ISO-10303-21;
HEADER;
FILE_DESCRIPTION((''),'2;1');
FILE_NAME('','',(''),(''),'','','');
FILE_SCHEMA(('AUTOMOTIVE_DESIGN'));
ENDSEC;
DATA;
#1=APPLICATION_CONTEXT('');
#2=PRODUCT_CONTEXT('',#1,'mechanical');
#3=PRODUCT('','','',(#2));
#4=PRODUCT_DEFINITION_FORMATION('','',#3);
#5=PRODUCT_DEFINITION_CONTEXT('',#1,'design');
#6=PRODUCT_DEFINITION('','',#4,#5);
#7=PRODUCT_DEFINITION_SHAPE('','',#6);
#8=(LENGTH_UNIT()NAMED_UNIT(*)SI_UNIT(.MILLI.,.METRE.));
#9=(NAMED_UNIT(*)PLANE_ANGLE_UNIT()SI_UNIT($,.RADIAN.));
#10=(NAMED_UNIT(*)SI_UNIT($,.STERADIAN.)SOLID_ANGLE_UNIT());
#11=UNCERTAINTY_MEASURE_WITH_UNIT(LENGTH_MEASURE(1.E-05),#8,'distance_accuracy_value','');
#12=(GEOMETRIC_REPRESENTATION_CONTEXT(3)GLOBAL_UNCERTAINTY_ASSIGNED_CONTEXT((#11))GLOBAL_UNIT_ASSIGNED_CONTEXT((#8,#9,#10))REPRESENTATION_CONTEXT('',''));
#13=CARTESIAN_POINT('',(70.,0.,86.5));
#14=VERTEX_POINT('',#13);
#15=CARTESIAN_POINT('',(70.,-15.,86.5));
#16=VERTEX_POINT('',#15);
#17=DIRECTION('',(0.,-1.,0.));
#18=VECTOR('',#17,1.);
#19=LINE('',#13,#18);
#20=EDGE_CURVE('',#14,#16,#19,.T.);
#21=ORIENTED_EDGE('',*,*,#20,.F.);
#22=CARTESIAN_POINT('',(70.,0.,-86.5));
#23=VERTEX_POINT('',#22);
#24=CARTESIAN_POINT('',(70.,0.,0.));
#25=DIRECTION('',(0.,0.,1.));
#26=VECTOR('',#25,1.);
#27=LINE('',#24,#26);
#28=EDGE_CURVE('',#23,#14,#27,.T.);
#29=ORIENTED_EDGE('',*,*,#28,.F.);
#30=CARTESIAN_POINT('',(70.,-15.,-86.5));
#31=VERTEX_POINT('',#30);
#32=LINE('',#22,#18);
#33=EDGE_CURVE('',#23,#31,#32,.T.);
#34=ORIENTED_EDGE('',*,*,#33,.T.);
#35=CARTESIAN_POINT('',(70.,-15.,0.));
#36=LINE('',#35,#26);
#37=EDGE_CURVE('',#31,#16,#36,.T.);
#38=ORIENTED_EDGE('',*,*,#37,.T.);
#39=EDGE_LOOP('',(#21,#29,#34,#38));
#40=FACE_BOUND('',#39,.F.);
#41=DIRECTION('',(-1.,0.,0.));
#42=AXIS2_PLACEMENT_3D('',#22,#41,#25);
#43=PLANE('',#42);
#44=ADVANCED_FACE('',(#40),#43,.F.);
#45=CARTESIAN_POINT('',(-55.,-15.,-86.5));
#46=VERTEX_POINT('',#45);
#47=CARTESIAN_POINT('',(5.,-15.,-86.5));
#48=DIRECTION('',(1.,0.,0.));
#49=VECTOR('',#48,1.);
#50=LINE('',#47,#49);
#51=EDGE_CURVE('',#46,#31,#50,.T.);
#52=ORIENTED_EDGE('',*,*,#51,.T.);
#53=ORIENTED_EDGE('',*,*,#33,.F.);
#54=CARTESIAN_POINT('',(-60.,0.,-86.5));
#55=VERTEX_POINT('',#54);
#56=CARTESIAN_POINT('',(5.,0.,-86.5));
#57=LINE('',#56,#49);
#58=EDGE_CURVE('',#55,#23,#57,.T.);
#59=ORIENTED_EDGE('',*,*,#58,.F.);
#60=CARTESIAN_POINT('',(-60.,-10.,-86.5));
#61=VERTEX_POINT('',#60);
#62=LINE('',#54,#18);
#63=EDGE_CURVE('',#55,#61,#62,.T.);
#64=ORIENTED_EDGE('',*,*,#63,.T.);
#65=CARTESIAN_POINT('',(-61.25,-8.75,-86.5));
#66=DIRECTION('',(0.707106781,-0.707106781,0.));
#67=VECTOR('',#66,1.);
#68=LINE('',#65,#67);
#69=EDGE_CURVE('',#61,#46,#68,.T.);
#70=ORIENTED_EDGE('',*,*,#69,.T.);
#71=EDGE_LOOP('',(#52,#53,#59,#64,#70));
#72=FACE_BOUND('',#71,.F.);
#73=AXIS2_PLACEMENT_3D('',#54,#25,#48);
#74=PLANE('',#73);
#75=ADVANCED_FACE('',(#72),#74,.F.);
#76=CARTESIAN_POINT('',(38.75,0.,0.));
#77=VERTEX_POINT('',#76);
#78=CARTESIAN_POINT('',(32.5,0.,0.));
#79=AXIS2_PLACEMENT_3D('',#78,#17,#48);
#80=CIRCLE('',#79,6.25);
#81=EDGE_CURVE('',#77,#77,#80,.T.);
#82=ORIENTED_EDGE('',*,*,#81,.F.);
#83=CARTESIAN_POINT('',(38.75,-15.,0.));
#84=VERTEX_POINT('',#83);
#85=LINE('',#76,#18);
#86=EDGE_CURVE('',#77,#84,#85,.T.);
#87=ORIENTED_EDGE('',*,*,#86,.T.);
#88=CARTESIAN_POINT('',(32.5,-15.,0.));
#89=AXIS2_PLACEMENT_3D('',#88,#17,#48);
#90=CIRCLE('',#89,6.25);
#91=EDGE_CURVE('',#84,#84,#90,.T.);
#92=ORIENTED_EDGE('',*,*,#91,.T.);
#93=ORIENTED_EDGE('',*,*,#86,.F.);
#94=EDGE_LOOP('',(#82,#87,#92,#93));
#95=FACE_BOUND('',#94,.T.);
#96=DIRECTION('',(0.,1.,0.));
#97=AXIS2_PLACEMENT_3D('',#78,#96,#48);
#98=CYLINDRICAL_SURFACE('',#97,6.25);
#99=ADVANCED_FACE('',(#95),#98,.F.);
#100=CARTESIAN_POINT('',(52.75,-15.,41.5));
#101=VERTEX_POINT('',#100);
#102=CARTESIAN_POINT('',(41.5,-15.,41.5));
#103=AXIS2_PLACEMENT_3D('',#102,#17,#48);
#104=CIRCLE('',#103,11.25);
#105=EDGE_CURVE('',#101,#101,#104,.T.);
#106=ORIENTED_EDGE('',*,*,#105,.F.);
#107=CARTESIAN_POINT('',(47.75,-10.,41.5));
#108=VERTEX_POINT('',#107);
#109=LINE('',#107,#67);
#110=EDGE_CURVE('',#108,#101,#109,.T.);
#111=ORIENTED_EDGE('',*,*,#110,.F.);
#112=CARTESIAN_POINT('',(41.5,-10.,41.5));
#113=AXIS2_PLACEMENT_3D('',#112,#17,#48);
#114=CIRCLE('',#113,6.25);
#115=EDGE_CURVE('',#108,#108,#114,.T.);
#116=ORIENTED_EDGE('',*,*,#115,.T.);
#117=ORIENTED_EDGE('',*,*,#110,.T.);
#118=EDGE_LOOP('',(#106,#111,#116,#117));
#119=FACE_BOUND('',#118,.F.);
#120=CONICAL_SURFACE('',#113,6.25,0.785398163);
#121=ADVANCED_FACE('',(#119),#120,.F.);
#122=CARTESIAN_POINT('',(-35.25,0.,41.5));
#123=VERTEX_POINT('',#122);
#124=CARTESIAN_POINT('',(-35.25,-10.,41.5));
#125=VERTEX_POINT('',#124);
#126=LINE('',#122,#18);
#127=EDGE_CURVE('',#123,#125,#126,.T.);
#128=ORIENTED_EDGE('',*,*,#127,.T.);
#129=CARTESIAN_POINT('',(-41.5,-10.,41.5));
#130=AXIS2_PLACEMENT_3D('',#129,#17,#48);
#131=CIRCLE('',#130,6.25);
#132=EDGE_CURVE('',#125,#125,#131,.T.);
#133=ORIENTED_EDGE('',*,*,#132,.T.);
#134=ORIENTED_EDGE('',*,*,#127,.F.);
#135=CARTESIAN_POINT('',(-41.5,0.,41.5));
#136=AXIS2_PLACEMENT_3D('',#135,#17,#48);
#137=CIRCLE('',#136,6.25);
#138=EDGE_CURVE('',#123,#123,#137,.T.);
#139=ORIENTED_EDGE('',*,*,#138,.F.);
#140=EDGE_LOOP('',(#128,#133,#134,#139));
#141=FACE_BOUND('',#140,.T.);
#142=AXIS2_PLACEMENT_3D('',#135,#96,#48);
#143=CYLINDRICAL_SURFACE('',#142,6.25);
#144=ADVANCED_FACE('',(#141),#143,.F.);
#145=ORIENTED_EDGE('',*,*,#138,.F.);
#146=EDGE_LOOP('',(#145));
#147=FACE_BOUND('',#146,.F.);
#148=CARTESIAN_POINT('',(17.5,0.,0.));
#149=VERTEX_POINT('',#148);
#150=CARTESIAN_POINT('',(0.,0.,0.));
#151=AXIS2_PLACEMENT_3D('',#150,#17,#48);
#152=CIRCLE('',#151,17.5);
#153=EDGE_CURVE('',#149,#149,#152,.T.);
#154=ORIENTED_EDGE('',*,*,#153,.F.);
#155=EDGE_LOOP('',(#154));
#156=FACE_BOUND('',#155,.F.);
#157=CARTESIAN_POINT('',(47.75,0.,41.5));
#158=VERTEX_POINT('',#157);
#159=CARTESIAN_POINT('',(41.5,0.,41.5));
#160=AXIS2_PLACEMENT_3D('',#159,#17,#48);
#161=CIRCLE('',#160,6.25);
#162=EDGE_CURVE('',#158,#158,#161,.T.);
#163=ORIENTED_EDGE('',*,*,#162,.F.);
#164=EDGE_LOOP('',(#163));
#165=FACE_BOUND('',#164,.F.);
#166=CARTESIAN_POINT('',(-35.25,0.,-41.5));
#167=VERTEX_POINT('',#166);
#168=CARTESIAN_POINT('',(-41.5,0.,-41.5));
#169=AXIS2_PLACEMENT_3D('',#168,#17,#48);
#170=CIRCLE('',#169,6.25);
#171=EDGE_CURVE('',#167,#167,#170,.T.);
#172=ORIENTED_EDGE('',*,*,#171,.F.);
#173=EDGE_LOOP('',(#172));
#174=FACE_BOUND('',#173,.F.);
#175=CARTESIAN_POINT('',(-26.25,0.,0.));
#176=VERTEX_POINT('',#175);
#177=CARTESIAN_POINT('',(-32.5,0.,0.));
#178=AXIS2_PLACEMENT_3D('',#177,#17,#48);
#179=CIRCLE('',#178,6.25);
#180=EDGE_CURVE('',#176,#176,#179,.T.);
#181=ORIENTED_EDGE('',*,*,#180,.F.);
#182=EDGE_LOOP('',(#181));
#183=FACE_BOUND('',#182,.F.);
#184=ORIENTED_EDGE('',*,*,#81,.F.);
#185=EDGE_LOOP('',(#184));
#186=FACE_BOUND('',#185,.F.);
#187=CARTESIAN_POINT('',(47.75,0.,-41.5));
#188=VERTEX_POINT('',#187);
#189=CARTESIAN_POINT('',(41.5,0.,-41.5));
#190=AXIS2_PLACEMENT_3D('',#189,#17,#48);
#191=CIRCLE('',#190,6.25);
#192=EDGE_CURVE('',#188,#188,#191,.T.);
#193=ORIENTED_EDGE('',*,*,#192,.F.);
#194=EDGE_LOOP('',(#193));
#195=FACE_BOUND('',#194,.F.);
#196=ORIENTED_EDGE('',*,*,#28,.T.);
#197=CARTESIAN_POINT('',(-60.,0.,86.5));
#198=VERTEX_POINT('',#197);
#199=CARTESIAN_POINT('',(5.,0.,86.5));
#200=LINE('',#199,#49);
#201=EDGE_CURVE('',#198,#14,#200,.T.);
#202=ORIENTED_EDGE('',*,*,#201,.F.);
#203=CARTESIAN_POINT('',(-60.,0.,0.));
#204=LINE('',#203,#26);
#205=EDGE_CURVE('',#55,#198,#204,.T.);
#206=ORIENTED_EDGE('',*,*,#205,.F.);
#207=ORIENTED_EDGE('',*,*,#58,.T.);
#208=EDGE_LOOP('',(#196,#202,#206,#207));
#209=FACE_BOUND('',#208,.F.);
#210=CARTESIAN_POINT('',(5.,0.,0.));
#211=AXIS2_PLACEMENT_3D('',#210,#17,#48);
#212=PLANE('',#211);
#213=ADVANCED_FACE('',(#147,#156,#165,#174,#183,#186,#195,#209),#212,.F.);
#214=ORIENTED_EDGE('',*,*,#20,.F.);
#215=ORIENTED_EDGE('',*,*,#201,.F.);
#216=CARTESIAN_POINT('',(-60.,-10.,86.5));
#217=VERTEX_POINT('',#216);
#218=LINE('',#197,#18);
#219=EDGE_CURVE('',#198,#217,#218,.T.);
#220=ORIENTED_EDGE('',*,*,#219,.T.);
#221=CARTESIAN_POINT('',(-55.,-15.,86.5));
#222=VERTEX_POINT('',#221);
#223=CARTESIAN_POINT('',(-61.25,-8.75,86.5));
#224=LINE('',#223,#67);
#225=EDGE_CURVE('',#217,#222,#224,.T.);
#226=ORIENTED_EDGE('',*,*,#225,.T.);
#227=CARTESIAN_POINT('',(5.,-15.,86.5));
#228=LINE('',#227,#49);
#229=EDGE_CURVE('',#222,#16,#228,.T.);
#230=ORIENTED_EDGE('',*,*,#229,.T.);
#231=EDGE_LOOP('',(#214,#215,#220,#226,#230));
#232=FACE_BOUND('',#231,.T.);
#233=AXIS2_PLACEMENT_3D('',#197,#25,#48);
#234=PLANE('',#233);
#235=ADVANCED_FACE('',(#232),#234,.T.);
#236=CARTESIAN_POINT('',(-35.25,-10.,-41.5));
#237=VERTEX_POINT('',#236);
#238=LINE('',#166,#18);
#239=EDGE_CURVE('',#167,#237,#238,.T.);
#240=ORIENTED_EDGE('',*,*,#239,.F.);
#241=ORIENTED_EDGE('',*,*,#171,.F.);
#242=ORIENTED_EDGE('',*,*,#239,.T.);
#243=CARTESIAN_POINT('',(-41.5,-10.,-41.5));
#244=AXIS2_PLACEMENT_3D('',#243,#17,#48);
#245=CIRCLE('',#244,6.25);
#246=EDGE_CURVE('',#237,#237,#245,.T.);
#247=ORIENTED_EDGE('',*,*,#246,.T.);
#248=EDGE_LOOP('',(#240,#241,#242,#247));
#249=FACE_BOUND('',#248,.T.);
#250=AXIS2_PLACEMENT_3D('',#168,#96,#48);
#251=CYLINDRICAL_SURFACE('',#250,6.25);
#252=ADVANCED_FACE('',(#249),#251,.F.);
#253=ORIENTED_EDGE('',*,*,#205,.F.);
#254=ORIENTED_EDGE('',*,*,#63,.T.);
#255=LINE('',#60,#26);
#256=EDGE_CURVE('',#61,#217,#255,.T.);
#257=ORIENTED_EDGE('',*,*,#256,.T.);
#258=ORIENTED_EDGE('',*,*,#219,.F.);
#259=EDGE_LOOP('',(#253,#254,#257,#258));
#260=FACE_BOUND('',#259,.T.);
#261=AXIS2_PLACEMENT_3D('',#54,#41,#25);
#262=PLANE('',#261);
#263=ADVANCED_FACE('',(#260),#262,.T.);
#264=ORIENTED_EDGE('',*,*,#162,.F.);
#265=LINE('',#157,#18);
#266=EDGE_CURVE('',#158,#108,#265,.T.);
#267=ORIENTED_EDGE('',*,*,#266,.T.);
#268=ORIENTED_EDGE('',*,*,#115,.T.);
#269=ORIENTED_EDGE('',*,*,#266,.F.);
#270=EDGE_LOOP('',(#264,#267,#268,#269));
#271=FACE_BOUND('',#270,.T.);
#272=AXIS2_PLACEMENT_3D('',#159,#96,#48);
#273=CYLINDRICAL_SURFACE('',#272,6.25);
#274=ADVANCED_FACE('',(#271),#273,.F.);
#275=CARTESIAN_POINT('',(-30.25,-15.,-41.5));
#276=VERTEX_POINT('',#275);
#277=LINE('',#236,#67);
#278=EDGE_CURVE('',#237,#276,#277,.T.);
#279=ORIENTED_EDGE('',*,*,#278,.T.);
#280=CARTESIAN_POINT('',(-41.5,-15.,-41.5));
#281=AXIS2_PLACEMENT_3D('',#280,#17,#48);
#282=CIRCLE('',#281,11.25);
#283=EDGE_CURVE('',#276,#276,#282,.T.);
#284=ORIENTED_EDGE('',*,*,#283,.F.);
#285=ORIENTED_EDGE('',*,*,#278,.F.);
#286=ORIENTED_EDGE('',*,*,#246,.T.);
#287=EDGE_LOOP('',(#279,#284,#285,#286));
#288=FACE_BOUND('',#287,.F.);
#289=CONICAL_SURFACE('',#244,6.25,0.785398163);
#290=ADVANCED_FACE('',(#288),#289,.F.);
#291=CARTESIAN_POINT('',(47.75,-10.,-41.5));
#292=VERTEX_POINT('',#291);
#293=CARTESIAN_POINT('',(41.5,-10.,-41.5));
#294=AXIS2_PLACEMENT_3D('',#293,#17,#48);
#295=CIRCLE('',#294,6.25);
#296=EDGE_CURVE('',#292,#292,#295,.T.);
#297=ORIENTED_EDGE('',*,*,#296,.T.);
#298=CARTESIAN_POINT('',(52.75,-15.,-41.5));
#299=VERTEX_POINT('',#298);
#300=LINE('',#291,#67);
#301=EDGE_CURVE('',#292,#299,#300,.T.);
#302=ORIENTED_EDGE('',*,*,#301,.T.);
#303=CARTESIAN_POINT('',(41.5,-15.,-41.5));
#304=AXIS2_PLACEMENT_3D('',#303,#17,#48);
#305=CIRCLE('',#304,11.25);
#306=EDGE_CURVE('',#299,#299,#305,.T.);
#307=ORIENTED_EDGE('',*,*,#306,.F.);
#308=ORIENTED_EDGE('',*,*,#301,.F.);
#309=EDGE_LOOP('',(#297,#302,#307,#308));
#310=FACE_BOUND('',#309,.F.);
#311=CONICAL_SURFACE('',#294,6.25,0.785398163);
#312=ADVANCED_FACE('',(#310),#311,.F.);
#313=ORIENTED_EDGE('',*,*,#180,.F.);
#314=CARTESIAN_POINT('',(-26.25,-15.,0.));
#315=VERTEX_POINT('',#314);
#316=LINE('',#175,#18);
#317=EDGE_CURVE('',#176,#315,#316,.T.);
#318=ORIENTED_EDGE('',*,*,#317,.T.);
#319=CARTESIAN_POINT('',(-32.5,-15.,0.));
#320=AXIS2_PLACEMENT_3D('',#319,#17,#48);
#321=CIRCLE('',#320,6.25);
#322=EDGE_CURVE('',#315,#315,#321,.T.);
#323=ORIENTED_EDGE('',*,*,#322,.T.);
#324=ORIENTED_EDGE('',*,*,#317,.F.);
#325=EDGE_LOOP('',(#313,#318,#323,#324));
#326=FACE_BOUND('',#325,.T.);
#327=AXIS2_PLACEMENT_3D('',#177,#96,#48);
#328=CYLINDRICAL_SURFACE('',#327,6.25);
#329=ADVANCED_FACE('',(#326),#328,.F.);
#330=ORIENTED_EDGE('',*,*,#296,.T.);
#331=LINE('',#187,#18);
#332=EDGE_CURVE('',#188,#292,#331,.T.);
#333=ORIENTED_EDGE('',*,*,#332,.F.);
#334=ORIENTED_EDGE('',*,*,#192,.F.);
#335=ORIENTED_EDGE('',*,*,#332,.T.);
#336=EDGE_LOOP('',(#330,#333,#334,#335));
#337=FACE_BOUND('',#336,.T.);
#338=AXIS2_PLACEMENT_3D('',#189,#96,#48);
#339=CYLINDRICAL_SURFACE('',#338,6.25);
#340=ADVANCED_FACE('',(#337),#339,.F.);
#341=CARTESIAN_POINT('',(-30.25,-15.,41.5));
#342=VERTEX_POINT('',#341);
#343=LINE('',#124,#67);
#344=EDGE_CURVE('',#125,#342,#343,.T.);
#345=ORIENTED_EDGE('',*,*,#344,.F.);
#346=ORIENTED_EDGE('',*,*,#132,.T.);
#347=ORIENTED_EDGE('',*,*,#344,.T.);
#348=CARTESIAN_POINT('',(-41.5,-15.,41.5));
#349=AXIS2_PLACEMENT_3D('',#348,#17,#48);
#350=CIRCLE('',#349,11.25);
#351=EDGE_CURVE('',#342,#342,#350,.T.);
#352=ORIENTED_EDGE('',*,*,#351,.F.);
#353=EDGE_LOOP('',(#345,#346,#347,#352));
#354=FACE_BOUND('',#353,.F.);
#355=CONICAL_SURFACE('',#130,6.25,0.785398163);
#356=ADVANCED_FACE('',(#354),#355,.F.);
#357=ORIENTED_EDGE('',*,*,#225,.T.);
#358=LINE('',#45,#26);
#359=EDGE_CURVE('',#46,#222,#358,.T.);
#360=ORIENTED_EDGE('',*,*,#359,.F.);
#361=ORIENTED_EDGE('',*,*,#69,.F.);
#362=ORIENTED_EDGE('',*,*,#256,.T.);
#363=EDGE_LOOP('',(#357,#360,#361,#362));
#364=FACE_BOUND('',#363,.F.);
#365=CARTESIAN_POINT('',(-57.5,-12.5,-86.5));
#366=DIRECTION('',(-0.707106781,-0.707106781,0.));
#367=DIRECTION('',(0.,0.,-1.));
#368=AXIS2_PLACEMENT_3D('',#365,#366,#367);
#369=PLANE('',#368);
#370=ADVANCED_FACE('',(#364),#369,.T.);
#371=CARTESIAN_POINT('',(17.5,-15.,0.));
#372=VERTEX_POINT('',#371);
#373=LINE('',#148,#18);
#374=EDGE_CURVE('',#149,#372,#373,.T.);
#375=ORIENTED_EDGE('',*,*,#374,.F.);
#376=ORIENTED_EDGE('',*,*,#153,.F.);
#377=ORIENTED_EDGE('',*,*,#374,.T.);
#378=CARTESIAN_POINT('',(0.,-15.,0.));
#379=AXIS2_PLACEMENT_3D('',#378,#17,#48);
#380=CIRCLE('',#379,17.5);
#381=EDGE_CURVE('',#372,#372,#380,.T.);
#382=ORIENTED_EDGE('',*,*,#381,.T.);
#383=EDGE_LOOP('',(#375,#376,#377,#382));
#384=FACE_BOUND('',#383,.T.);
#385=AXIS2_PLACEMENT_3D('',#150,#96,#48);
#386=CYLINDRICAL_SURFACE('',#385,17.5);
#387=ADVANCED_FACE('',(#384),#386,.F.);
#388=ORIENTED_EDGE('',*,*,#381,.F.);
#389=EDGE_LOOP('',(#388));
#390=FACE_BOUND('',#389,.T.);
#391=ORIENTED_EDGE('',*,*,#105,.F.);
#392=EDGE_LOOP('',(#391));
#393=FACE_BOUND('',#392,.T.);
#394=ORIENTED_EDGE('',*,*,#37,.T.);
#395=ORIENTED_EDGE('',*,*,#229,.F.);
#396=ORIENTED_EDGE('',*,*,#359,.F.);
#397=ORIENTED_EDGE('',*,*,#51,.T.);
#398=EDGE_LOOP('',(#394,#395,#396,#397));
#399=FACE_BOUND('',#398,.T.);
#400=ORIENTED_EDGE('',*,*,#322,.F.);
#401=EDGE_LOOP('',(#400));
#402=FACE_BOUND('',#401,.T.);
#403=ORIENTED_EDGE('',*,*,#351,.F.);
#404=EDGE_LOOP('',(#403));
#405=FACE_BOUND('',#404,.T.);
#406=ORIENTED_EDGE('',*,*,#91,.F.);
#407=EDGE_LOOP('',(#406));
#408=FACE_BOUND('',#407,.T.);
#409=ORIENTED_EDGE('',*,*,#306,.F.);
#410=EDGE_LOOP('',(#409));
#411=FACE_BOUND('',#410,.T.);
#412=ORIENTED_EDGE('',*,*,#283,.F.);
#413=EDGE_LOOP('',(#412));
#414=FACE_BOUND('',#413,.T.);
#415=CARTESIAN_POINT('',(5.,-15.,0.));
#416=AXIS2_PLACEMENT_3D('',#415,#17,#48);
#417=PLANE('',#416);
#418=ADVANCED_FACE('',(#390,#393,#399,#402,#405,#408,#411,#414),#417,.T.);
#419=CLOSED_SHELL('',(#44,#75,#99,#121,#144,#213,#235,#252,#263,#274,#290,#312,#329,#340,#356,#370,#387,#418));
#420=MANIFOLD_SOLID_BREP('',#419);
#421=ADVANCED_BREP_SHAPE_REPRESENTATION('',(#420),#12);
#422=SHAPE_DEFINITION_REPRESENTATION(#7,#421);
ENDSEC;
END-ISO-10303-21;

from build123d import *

# Parameters (mm, degrees)
F0_W     = 130
F0_H     = 173
F0_R     = 6.25
F0_R_2   = 17.5
F1_DEPTH = 15
F2_SIZE2 = 5
F2_SIZE  = 5


with BuildPart() as f1:
    # F0 (on Front) → F1 (new body)
    with BuildSketch(Plane.XZ):
        with Locations((5, 0)):
            Rectangle(F0_W, F0_H)
        with Locations((-41.5, -41.5)):
            Circle(F0_R, mode=Mode.SUBTRACT)
        with Locations((41.5, -41.5)):
            Circle(F0_R, mode=Mode.SUBTRACT)
        with Locations((-32.5, 0)):
            Circle(F0_R, mode=Mode.SUBTRACT)
        with Locations((-41.5, 41.5)):
            Circle(F0_R, mode=Mode.SUBTRACT)
        Circle(F0_R_2, mode=Mode.SUBTRACT)
        with Locations((32.5, 0)):
            Circle(F0_R, mode=Mode.SUBTRACT)
        with Locations((41.5, 41.5)):
            Circle(F0_R, mode=Mode.SUBTRACT)
    extrude(amount=F1_DEPTH)

    # F2
    f2_edges = [f1.edges().sort_by_distance(p)[0] for p in [
        (-47.75, -15, 41.5),
        (35.25, -15, 41.5),
        (-47.75, -15, -41.5),
        (35.25, -15, -41.5),
        (-60, -15, 0),
    ]]
    chamfer(f2_edges, length=F2_SIZE, length2=F2_SIZE2)


solid = f1.part
